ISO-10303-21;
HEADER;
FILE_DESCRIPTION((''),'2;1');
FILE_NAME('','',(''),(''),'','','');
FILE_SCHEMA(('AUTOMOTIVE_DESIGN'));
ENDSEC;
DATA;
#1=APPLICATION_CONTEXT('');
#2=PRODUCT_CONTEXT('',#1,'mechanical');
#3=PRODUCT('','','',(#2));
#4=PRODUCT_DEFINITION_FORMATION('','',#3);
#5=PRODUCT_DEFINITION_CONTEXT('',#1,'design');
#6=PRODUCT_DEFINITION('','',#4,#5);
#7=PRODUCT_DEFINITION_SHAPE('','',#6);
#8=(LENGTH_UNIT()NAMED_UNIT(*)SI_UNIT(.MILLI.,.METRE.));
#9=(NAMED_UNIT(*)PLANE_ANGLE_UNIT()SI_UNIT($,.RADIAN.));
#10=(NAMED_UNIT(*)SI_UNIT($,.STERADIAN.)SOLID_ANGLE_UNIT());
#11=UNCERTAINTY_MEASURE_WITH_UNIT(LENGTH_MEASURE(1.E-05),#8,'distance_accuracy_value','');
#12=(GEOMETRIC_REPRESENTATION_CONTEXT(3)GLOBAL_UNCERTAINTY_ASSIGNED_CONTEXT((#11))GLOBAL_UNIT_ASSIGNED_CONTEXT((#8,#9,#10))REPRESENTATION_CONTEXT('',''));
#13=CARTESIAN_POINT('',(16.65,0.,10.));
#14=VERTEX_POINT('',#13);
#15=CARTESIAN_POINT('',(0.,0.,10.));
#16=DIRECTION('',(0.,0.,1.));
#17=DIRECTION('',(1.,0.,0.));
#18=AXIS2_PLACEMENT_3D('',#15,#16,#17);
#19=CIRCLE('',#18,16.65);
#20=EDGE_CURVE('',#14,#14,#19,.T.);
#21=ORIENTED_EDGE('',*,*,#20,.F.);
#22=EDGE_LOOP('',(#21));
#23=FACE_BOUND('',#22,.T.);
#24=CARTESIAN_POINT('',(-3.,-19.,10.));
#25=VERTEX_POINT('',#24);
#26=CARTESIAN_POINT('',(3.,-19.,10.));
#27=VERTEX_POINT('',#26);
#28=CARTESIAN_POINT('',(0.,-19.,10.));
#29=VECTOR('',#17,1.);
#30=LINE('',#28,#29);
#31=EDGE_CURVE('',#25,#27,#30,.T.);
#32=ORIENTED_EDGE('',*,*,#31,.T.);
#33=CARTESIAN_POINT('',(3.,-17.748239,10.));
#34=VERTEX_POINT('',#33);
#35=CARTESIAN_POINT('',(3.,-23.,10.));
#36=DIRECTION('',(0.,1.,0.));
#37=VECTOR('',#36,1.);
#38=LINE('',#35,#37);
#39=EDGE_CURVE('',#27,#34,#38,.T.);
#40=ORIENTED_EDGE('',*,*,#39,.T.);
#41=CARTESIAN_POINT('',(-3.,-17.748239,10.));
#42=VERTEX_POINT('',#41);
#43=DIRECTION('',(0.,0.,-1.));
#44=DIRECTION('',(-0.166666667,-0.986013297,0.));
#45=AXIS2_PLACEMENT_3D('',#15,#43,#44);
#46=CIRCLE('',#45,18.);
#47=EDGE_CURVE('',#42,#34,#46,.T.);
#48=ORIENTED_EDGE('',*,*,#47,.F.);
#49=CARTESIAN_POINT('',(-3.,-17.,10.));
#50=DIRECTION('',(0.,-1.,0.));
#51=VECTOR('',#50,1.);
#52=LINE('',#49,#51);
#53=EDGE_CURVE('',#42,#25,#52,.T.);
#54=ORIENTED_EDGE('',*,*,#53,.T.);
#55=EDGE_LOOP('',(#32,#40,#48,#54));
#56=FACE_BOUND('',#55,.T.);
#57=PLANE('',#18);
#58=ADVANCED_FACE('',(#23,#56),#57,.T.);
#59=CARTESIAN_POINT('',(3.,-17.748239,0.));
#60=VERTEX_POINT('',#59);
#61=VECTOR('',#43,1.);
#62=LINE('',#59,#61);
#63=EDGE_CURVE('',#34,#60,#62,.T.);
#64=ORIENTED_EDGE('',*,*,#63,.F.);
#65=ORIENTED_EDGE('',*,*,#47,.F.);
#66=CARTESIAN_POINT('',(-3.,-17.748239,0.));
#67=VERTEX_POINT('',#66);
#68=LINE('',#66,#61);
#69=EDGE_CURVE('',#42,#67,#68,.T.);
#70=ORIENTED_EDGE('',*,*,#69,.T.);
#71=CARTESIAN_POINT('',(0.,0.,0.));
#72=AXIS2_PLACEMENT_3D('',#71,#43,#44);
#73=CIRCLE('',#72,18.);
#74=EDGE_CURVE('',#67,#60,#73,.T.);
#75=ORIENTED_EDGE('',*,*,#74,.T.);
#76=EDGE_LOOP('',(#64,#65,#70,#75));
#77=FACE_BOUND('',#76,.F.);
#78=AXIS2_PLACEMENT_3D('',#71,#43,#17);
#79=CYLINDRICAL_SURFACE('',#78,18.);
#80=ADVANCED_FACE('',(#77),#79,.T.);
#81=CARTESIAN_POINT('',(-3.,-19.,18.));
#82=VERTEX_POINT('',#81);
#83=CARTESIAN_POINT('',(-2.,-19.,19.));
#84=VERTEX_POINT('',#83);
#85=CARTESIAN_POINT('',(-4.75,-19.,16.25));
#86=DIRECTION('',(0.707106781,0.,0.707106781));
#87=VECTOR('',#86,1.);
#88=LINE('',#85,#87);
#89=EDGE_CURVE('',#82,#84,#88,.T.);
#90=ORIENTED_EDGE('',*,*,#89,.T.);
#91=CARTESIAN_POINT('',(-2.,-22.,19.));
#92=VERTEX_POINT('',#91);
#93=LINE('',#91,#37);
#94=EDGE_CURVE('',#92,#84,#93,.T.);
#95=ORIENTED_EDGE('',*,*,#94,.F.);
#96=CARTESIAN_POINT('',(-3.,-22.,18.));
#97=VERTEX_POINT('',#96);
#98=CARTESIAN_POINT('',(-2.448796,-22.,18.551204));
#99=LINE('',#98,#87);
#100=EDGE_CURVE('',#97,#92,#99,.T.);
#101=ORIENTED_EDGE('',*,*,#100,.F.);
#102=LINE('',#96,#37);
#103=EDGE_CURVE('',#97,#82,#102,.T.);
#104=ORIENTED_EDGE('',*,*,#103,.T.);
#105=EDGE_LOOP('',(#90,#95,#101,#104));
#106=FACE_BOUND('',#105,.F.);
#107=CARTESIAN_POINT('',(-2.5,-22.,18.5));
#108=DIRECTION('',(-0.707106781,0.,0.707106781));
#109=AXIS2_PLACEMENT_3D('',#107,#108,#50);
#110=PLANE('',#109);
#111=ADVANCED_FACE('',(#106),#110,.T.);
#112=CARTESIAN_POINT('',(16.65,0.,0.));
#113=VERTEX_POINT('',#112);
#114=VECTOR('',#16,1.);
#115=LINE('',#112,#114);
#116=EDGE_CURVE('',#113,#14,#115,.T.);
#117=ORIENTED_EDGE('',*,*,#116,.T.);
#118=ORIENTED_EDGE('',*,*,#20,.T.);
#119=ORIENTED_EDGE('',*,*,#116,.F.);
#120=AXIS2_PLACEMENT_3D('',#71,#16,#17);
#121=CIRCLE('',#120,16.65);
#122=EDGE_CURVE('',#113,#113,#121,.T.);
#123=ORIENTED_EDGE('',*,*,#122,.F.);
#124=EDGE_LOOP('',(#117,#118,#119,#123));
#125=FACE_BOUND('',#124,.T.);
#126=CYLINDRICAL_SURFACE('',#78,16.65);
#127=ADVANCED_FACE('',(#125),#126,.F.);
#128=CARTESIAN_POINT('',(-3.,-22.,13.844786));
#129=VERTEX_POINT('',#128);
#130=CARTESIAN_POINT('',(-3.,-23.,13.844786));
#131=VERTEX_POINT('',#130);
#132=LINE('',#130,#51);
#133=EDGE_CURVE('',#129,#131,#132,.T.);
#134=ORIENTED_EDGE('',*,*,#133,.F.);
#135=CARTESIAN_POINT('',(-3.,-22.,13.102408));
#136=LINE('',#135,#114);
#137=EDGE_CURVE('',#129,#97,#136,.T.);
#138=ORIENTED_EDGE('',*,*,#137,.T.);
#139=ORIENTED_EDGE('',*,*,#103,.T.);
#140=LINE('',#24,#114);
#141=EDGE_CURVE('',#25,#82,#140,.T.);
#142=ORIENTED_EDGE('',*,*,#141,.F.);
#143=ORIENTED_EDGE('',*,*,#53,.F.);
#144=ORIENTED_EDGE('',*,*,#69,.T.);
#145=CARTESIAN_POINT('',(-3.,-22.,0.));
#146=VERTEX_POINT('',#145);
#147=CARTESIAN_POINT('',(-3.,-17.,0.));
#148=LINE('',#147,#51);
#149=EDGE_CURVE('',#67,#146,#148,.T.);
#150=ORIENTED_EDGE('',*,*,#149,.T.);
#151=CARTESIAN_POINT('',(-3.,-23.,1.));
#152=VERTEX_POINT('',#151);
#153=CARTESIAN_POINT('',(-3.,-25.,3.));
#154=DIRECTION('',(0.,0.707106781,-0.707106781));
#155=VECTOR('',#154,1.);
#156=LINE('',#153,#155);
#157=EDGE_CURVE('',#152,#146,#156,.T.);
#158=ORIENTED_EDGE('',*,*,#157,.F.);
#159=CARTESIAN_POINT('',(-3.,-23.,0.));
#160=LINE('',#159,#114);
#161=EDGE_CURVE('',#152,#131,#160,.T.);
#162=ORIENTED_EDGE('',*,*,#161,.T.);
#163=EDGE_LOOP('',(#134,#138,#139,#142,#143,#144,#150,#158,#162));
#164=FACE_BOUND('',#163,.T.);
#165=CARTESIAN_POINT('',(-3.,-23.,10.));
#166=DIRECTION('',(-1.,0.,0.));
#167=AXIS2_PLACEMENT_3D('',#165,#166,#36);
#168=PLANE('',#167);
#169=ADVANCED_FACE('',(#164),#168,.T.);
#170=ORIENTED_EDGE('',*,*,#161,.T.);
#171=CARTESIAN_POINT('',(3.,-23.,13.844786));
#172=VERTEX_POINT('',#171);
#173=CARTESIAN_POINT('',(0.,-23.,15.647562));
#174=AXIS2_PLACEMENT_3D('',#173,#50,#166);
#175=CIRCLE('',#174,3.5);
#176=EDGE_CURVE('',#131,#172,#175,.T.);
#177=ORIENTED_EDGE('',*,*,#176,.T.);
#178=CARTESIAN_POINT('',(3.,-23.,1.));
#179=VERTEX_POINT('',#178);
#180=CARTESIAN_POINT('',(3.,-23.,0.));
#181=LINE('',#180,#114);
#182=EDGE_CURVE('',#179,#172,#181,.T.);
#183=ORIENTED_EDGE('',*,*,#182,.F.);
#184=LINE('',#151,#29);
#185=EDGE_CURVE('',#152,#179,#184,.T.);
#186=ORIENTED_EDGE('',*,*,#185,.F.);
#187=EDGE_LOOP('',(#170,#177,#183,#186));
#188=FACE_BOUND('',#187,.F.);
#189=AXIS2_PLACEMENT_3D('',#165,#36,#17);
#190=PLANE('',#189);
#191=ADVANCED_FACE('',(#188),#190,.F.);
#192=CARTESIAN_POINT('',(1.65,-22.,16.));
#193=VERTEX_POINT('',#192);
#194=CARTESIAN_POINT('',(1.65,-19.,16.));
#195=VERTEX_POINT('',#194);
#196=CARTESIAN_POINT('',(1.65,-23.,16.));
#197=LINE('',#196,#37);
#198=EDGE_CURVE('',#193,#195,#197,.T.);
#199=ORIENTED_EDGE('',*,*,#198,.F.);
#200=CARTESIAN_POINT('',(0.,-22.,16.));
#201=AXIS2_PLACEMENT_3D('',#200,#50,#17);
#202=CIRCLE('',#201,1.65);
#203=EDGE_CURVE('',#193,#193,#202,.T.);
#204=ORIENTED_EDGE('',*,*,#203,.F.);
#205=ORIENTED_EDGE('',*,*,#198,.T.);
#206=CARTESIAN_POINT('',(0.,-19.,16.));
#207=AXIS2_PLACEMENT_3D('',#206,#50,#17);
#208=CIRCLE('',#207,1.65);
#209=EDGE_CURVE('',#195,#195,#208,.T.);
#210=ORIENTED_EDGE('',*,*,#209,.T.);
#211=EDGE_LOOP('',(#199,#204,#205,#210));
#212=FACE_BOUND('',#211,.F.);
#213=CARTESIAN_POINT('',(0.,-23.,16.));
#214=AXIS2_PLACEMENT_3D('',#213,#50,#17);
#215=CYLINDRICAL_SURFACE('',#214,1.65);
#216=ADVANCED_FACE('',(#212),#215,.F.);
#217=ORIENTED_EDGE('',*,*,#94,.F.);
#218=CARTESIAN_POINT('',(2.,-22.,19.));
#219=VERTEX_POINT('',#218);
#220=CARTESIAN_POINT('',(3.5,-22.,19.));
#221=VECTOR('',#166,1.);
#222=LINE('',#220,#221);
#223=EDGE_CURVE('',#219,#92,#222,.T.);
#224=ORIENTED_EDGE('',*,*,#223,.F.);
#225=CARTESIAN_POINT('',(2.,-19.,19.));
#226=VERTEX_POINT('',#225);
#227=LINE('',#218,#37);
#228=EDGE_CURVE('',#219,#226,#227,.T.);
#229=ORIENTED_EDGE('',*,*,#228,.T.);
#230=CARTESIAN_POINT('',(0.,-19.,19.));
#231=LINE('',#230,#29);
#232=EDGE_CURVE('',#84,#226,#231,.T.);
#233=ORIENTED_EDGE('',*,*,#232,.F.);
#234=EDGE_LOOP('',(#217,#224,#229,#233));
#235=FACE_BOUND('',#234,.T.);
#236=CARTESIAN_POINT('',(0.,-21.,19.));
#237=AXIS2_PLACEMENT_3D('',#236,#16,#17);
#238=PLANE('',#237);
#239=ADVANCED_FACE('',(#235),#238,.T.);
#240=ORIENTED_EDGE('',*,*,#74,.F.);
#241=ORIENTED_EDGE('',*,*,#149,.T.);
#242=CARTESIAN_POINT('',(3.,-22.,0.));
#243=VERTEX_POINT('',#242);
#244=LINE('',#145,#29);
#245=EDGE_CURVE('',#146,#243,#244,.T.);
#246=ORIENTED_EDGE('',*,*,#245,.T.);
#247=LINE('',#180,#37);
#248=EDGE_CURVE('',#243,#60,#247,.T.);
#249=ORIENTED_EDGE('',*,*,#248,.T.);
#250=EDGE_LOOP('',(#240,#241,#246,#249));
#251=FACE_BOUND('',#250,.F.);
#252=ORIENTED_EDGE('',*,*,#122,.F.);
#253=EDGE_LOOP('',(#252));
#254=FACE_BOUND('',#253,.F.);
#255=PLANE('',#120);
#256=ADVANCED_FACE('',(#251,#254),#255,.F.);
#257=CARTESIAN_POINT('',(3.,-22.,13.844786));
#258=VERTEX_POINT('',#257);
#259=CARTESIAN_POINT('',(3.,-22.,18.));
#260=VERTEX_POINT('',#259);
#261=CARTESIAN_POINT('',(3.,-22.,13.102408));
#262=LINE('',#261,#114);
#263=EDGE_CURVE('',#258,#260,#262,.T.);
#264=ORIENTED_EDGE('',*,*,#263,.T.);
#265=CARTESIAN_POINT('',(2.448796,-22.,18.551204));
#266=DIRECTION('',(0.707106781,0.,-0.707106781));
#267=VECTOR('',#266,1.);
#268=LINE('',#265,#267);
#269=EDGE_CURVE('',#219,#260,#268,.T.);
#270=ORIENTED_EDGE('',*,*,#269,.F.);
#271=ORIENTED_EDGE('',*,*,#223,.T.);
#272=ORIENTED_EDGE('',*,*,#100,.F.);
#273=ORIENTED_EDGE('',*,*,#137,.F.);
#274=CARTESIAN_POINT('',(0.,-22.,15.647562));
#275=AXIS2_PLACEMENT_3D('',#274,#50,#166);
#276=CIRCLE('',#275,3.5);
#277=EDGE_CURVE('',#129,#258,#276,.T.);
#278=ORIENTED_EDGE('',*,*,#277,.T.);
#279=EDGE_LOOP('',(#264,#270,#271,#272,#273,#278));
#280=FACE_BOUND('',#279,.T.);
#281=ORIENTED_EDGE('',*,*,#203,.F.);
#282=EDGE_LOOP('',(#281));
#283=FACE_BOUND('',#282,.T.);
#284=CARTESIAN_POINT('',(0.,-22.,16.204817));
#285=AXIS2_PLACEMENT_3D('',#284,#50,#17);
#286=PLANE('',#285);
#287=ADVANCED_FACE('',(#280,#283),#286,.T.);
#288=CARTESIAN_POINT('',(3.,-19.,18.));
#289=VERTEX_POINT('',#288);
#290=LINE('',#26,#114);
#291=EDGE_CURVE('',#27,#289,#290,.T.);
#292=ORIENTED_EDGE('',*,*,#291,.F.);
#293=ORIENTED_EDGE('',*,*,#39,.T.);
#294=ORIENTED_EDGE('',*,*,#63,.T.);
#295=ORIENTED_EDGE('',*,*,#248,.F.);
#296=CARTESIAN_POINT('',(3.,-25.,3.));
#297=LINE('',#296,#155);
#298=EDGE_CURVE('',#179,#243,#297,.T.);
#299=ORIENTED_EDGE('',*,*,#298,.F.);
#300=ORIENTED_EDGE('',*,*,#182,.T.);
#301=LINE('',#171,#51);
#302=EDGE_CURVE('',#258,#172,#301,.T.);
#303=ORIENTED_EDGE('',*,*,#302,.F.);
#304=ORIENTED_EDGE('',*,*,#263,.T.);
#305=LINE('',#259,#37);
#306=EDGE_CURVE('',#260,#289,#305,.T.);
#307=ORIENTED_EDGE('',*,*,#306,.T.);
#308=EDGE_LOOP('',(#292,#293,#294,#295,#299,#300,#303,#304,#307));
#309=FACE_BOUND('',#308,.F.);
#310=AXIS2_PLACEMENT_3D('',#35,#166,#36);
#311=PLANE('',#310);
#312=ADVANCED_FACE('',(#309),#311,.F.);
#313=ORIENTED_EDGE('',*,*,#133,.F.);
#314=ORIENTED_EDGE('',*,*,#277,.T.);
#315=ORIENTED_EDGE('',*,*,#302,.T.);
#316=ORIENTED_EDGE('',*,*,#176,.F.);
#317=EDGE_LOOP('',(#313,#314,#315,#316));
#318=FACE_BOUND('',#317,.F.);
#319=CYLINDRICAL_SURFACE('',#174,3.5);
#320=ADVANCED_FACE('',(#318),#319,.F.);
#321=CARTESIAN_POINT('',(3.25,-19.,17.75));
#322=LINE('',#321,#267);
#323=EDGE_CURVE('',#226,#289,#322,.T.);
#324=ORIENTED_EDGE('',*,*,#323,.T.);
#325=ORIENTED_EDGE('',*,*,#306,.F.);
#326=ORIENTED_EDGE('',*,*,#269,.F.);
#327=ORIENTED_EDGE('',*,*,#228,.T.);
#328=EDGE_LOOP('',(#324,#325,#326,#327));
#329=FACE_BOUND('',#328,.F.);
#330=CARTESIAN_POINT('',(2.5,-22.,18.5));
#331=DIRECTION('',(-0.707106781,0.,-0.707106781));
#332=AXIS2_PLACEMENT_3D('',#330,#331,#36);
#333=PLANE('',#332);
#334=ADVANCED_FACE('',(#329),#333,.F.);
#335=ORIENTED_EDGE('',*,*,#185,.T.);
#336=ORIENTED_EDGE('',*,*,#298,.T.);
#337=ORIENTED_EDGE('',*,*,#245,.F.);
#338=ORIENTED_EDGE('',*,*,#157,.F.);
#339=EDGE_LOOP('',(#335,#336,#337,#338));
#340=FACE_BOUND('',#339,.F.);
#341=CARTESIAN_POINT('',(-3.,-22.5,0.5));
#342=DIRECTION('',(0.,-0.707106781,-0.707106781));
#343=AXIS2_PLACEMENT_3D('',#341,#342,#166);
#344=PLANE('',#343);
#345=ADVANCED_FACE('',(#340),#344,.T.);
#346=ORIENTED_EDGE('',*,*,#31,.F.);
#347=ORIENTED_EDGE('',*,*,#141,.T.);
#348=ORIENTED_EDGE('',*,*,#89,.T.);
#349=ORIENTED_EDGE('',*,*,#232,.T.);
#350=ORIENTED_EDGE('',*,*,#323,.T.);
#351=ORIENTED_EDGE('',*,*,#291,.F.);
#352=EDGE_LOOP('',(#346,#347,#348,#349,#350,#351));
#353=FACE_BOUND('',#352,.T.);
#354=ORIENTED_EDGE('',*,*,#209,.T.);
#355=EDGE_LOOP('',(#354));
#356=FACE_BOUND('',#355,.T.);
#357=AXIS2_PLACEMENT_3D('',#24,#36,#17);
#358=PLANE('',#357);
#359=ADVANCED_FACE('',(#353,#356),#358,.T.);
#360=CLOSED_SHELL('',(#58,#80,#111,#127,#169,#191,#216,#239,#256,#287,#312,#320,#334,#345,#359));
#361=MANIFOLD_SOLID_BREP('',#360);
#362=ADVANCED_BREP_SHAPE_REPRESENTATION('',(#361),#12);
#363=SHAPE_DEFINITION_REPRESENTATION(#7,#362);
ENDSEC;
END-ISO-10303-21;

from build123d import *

# Parameters (mm, degrees)
SKETCH002_R     = 18
SKETCH002_R_2   = 16.65
PAD002_DEPTH    = 10
PAD003_DEPTH    = 10
SKETCH004_W     = 6
SKETCH004_H     = 4
PAD004_DEPTH    = 9
SKETCH005_R     = 1.65
POCKET_DEPTH    = 5
POCKET001_DEPTH = 1
CHAMFER001_SIZE = 1
CHAMFER002_SIZE = 1


with BuildPart() as part:
    # Sketch002 → Pad002 (new body)
    with BuildSketch(Plane.XY):
        Circle(SKETCH002_R)
        Circle(SKETCH002_R_2, mode=Mode.SUBTRACT)
    extrude(amount=PAD002_DEPTH)

    # Sketch003 (on Face3 of Pad002) → Pad003 (join)
    with BuildSketch(Plane(origin=(0, 0, 0), x_dir=(1, 0, 0), z_dir=(0, 0, -1))):
        with BuildLine():
            ThreePointArc((3, 17), (0, 17.262677), (-3, 17))
            Line((-3, 17), (-3, 23))
            Line((-3, 23), (3, 23))
            Line((3, 23), (3, 17))
        make_face()
    extrude(amount=-PAD003_DEPTH)

    # Sketch004 (on Face10 of Pad003) → Pad004 (join)
    with BuildSketch(Plane.XY.offset(10)):
        with Locations((0, -21)):
            Rectangle(SKETCH004_W, SKETCH004_H)
    extrude(amount=PAD004_DEPTH)

    # Sketch005 (on Face14 of Pad004) → Pocket (cut)
    with BuildSketch(Plane.XZ.offset(23)):
        with Locations((0, 16)):
            Circle(SKETCH005_R)
    extrude(amount=-POCKET_DEPTH, mode=Mode.SUBTRACT)

    # Sketch006 (on Face14 of Pocket) → Pocket001 (cut)
    with BuildSketch(Plane.XZ.offset(23)):
        with BuildLine():
            ThreePointArc((-3.5, 15.647562), (0, 12.147562), (3.5, 15.647562))
            Line((3.5, 15.647562), (3.5, 19))
            Line((3.5, 19), (-3.5, 19))
            Line((-3.5, 15.647562), (-3.5, 19))
        make_face()
    extrude(amount=-POCKET001_DEPTH, mode=Mode.SUBTRACT)

    # Chamfer001
    chamfer001_edges = [part.edges().sort_by_distance(p)[0] for p in [
        (3, -20.5, 19),
        (-3, -20.5, 19),
    ]]
    chamfer(chamfer001_edges, length=CHAMFER001_SIZE)

    # Chamfer002
    chamfer002_edges = [part.edges().sort_by_distance(p)[0] for p in [
        (0, -23, 0),
    ]]
    chamfer(chamfer002_edges, length=CHAMFER002_SIZE)


solid = part.part
